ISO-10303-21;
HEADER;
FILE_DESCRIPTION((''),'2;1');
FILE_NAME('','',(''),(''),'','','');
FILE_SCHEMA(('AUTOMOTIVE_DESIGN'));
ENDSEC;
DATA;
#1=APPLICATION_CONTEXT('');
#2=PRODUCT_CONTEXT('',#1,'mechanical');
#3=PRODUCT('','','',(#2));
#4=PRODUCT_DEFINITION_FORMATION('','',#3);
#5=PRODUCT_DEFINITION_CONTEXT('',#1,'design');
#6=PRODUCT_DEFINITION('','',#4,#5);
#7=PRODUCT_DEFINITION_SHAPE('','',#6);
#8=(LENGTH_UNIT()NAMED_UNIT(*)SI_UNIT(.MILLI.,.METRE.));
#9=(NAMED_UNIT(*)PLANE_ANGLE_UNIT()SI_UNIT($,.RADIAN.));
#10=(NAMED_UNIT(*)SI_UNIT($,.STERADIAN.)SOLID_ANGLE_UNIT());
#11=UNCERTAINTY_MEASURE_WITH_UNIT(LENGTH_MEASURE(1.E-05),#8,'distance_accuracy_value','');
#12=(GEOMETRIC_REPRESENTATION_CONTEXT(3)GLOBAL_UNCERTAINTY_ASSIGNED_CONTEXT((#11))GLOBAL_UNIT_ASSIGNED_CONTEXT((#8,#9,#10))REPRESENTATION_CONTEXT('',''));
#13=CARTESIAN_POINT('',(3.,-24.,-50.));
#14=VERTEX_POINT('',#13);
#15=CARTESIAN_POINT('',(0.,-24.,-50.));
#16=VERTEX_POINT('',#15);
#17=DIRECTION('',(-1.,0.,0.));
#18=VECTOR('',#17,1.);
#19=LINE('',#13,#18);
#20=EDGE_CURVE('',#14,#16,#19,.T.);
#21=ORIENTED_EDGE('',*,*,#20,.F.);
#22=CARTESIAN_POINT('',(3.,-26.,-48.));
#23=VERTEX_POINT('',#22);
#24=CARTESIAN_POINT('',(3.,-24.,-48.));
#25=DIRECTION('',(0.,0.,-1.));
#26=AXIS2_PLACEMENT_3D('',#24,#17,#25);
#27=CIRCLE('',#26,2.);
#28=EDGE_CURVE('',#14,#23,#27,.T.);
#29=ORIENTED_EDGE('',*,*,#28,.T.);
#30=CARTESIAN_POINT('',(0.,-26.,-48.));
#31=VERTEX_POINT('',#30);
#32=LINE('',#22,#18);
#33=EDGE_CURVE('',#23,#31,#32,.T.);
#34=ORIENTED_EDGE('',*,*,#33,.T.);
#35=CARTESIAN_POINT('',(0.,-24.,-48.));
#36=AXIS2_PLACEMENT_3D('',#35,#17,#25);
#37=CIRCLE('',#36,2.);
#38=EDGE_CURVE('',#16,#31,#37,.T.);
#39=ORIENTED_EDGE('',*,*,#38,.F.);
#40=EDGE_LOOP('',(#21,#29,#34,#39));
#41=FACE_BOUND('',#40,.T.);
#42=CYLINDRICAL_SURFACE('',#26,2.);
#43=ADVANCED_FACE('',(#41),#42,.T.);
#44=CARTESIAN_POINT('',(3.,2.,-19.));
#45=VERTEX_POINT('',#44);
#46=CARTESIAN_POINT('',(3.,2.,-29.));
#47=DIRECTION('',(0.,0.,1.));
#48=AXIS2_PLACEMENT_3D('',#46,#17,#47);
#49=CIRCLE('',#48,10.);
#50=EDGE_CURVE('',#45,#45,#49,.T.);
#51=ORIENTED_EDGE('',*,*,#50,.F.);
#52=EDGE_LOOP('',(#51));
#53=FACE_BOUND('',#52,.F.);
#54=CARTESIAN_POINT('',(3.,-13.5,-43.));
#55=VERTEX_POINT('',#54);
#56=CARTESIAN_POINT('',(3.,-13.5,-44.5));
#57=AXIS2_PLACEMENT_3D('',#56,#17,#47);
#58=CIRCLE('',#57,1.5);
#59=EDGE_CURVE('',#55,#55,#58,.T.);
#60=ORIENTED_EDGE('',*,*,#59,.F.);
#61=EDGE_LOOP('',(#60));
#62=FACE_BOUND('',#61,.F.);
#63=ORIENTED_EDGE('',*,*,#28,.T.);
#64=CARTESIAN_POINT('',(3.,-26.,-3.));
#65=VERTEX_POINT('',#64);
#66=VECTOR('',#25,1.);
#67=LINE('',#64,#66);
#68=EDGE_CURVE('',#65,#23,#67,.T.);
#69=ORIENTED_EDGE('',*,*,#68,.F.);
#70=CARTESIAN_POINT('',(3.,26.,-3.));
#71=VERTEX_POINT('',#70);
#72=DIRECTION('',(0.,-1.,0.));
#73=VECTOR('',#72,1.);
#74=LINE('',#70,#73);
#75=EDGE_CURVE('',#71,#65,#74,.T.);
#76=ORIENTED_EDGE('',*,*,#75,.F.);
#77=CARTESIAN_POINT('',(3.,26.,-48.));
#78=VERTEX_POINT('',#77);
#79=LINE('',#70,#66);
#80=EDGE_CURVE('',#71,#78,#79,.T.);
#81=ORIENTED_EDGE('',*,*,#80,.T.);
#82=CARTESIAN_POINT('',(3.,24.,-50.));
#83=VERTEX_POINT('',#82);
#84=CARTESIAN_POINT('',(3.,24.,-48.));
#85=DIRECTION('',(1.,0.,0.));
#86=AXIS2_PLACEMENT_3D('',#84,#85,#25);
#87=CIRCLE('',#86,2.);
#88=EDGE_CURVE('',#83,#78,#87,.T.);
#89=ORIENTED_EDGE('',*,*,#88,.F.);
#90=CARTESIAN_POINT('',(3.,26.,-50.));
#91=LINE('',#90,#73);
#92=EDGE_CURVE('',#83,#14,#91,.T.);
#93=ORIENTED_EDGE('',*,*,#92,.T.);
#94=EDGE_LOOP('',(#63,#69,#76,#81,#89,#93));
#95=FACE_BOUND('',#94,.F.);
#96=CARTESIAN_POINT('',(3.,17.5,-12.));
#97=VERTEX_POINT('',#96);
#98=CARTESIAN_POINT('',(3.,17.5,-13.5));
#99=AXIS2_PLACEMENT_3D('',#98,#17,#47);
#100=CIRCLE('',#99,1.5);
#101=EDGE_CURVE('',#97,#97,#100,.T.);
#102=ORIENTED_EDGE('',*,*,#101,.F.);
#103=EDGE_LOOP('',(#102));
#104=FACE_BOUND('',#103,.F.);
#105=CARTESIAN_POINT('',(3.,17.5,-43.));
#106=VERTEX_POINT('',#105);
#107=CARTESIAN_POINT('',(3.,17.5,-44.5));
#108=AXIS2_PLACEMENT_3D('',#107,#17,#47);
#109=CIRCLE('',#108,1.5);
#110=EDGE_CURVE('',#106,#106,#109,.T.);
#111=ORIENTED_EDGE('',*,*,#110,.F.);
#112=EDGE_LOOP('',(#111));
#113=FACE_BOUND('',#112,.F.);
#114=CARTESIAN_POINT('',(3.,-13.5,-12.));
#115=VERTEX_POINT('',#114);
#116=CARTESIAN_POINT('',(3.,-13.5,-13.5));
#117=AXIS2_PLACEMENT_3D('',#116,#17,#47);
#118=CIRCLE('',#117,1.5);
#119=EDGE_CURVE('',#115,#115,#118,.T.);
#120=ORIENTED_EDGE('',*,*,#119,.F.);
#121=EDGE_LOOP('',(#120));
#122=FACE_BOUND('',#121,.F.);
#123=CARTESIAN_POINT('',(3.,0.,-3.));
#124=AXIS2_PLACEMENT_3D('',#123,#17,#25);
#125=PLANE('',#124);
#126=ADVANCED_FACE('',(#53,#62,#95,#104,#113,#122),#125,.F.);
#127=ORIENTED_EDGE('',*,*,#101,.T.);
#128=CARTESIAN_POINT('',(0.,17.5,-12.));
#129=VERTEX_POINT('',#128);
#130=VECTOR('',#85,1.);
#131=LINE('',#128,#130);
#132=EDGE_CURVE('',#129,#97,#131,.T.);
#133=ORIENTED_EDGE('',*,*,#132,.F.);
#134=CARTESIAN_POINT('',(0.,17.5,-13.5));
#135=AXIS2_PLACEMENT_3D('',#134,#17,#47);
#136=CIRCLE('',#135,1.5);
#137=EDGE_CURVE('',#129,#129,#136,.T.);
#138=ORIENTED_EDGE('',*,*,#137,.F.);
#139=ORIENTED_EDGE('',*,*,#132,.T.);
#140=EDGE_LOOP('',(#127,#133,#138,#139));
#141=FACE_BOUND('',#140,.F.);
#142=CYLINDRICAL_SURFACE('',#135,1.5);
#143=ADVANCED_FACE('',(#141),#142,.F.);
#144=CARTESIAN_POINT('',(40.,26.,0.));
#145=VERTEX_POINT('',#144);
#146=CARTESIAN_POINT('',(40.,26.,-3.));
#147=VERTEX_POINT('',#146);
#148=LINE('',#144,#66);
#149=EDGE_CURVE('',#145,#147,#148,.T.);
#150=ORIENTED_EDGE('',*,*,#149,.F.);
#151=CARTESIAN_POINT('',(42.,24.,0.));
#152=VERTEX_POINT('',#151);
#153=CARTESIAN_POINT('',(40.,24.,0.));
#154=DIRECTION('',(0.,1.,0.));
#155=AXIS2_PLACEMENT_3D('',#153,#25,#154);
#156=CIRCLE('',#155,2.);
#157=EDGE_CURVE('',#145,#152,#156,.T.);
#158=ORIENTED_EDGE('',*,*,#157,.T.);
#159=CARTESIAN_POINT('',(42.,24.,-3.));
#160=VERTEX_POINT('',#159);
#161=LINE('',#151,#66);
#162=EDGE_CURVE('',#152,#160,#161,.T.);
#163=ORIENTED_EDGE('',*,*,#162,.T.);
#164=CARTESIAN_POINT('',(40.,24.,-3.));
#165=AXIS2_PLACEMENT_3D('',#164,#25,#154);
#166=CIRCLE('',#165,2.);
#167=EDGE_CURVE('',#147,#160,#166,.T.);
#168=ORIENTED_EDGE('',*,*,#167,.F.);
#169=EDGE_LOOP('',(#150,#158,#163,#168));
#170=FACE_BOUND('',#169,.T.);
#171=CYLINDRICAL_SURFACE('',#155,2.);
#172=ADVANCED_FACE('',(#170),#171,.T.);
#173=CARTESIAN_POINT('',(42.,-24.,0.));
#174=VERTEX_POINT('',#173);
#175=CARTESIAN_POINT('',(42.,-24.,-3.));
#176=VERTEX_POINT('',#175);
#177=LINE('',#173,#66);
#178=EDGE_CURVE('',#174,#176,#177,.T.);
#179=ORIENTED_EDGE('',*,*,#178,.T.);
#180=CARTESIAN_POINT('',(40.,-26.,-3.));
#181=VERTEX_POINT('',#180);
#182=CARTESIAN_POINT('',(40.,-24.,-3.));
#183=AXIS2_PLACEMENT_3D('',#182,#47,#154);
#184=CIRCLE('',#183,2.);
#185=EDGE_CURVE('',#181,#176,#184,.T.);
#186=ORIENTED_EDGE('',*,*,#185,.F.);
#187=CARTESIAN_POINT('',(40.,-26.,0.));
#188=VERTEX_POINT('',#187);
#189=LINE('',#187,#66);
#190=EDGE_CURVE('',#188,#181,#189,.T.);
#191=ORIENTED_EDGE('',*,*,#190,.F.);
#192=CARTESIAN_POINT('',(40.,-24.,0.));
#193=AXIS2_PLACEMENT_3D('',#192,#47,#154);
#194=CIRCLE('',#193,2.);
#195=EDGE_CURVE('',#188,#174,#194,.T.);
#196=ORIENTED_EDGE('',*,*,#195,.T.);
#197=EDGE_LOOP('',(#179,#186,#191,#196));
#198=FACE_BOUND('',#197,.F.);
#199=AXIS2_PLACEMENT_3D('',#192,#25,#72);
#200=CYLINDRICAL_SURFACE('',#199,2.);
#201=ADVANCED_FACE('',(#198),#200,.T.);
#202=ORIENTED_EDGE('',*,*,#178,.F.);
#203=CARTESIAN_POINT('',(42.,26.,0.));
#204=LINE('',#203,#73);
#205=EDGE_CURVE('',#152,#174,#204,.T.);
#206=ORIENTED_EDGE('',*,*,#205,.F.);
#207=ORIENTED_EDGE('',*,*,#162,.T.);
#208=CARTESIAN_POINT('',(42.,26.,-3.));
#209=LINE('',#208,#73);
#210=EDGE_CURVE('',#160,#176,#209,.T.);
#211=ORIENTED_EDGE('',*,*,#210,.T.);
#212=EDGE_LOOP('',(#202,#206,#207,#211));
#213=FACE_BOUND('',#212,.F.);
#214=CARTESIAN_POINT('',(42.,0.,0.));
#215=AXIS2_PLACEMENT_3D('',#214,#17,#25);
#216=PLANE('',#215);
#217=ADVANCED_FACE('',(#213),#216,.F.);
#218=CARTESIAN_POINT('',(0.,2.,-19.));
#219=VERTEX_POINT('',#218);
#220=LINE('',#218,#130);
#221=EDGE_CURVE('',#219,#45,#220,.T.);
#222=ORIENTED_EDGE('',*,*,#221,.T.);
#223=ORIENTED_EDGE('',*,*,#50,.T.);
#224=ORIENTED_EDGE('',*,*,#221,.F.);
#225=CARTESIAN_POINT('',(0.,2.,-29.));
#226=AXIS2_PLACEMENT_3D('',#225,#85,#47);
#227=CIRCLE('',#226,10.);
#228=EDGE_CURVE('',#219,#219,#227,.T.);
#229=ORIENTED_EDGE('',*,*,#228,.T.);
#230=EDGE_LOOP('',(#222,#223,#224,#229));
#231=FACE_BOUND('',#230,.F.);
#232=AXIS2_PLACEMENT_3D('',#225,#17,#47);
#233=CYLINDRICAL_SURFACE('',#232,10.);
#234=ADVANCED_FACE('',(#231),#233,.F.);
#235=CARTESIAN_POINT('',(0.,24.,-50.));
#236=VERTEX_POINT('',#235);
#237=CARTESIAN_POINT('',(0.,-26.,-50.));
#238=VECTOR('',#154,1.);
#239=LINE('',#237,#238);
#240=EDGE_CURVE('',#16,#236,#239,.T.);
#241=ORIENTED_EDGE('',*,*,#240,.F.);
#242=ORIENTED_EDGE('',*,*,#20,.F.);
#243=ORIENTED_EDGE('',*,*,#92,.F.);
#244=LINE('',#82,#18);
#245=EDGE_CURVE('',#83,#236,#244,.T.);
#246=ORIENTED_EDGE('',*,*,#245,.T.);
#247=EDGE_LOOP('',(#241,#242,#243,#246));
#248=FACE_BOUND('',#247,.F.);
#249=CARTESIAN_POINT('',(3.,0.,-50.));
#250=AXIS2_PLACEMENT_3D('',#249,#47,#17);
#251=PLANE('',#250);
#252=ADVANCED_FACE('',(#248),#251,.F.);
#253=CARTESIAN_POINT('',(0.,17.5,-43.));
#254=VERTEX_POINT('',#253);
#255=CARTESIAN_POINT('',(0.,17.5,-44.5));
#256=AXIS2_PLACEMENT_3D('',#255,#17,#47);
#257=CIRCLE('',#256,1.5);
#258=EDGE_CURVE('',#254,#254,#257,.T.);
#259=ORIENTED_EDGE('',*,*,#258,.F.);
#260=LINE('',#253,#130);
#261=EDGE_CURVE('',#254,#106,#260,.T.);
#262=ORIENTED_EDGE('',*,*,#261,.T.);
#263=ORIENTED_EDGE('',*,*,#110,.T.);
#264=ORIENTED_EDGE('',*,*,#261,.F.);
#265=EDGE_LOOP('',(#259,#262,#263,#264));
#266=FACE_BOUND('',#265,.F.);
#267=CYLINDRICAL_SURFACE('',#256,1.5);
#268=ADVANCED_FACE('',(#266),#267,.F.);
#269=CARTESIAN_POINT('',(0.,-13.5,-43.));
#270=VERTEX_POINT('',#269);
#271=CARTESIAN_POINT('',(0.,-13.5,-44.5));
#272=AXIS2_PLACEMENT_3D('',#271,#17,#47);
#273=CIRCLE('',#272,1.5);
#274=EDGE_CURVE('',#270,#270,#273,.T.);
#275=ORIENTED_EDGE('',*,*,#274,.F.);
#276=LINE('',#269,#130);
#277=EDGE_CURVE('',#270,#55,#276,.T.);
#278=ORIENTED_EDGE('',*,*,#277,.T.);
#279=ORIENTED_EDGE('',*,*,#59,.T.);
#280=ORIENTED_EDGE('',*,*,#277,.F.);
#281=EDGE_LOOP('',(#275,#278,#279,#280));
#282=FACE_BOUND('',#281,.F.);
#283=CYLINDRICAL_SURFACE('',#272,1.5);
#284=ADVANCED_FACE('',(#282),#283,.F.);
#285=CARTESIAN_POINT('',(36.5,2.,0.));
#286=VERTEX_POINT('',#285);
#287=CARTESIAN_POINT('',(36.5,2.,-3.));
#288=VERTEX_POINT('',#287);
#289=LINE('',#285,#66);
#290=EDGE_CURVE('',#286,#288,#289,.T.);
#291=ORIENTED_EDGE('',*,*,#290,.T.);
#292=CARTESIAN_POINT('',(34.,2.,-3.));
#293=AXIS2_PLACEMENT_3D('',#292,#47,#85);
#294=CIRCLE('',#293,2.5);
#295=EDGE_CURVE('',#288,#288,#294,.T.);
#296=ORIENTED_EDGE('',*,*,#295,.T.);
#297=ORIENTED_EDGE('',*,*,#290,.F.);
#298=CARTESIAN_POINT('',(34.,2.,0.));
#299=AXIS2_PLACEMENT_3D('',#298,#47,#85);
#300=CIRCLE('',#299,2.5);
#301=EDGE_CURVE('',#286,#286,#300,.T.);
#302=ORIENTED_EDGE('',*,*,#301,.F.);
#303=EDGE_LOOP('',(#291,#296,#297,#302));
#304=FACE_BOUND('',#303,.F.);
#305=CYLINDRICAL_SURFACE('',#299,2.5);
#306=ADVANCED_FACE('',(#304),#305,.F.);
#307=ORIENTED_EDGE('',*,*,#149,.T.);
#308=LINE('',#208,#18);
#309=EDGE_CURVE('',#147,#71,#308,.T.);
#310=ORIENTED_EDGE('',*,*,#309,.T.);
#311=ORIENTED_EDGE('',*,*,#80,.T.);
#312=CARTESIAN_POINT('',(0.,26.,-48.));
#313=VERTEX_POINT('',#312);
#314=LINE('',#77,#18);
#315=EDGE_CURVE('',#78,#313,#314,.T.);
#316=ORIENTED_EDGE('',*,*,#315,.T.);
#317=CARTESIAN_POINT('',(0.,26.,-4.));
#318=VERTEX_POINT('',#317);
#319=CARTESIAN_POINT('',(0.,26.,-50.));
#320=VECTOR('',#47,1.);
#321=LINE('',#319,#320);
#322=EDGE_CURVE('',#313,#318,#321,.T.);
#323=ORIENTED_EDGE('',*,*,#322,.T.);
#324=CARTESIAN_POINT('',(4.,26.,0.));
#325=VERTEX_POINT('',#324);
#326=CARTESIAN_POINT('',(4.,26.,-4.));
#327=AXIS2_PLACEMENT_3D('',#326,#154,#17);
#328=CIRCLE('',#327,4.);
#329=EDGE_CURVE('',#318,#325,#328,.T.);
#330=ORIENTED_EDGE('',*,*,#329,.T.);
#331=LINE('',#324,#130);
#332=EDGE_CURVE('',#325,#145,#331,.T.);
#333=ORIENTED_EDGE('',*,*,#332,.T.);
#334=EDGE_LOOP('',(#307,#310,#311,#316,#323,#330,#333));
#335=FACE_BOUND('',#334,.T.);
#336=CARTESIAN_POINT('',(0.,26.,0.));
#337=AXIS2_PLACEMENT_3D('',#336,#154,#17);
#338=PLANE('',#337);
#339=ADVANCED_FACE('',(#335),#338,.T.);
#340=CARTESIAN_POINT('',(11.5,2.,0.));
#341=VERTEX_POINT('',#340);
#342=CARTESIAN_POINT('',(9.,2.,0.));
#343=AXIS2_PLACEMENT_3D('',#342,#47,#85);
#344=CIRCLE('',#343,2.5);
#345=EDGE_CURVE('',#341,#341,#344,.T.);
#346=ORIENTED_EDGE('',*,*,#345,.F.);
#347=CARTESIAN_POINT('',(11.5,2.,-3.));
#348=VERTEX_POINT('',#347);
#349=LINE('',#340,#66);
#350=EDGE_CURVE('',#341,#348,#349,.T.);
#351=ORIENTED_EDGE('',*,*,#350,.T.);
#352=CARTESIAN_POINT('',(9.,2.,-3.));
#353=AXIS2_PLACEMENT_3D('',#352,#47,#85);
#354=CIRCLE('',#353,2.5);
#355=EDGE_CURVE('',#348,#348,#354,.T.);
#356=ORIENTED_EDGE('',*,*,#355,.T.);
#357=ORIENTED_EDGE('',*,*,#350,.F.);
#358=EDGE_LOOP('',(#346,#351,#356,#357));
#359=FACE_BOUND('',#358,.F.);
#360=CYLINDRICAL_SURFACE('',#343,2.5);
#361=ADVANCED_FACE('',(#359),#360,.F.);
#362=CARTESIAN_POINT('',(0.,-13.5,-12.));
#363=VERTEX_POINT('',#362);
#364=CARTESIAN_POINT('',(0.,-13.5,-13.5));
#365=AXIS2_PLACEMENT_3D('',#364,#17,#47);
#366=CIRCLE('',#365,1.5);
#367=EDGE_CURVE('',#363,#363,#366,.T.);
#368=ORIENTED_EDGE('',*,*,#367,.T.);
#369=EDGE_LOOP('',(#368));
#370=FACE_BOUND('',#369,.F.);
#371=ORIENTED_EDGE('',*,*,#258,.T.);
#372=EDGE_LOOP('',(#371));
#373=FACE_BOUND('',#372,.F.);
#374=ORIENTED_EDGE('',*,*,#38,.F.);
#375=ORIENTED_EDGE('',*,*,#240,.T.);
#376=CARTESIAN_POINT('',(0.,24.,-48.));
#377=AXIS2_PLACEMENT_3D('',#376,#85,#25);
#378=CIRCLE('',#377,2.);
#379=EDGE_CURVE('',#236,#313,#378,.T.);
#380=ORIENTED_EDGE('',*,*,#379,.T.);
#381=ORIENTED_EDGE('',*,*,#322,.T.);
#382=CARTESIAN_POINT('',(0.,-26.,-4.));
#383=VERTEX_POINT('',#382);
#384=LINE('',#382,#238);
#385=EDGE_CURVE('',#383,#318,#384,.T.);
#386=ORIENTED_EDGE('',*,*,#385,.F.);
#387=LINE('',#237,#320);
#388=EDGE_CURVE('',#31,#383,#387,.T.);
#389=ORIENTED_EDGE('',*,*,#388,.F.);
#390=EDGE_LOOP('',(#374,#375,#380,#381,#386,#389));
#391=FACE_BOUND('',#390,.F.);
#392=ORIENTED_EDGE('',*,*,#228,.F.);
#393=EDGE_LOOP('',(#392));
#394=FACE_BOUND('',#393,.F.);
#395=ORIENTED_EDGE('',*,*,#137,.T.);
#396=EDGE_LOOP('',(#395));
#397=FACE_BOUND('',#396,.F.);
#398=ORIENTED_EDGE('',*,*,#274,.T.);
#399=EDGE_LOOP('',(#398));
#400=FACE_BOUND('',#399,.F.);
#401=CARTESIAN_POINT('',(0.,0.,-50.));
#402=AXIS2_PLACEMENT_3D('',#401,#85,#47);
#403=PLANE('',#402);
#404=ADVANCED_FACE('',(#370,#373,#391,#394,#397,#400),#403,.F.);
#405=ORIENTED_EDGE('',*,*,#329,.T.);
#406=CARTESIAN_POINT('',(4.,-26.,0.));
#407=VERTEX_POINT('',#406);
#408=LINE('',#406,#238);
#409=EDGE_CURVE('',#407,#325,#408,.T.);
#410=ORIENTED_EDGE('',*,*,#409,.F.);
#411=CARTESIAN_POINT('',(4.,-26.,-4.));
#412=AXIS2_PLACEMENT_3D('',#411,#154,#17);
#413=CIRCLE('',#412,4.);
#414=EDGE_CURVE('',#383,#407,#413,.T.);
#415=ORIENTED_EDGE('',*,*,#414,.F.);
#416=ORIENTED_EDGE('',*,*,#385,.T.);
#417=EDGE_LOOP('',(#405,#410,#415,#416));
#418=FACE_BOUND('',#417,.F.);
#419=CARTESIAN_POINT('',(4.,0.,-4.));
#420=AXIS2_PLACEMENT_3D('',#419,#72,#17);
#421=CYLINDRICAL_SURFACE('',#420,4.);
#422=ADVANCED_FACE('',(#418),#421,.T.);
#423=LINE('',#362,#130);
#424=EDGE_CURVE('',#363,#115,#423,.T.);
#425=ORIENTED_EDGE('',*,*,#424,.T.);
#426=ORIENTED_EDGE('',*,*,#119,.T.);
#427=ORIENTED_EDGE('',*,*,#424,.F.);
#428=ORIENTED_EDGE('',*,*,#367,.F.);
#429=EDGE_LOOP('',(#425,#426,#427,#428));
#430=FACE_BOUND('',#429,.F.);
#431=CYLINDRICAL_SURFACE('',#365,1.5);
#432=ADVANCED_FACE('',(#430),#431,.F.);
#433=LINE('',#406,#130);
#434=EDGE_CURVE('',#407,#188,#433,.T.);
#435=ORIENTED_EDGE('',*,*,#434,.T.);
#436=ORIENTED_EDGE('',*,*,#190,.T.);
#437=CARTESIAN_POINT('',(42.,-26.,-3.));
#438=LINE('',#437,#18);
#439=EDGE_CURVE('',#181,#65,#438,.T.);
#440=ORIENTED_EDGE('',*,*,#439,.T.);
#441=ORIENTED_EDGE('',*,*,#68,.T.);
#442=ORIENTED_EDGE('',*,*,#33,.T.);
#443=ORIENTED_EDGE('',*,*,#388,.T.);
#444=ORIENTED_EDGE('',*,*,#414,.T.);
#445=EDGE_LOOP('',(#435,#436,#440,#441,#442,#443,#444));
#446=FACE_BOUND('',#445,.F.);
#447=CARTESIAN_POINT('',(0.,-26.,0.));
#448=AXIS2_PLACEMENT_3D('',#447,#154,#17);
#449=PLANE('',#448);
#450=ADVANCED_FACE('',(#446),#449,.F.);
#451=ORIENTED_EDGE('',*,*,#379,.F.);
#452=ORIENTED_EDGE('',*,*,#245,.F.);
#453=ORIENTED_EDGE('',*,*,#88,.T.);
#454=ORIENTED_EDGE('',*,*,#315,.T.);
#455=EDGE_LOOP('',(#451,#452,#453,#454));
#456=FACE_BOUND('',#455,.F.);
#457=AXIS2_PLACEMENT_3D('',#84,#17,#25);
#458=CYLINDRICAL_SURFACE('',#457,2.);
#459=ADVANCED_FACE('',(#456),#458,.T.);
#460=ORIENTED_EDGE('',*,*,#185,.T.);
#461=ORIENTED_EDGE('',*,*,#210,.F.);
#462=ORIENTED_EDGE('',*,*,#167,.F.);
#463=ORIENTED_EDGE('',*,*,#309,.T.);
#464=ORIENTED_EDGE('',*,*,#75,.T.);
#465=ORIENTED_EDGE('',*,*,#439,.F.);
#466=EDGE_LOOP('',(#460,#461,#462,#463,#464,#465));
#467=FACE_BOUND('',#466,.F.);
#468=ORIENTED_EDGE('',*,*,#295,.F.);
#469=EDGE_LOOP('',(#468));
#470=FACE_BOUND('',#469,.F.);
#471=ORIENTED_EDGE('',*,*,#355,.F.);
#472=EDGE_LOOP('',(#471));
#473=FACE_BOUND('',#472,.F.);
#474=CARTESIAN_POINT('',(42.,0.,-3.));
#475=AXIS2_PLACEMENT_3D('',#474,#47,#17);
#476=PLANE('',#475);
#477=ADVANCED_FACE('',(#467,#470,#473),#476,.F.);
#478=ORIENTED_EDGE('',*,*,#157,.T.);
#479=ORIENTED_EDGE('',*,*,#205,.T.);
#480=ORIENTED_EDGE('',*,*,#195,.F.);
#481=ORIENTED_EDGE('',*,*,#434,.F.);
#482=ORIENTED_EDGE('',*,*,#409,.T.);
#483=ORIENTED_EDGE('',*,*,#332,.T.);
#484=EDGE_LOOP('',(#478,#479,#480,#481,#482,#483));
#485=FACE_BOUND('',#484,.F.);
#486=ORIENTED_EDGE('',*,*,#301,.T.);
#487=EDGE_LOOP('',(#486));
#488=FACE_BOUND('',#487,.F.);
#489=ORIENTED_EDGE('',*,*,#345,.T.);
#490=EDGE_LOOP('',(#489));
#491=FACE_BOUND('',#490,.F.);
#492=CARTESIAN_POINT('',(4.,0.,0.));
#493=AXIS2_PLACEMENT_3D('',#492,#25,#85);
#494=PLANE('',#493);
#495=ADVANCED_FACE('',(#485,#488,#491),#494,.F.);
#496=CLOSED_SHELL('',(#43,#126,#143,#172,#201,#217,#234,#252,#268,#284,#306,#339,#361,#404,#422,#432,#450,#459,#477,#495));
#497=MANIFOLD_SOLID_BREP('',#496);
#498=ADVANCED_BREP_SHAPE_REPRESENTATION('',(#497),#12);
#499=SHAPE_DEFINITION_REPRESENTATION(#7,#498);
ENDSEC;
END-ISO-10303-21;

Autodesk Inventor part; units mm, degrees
ref_plane "YZ Plane" through (0, 0, 0) normal (1, 0, 0) x (0, 1, 0)
ref_plane "XZ Plane" through (0, 0, 0) normal (0, 1, 0) x (-1, 0, 0)
ref_plane "XY Plane" through (0, 0, 0) normal (0, 0, 1) x (1, 0, 0)
sketch "Skizze1" plane through (0, 0, 0) normal (0, 1, 0) x (-1, 0, 0)
  line L0 (0, -50) -> (0, -4)
  line L1 (-4, 0) -> (-42, 0)
  line L2 (-42, 0) -> (-42, -3)
  line L3 (-42, -3) -> (-3, -3)
  line L4 (-3, -3) -> (-3, -50)
  line L5 (-3, -50) -> (0, -50)
  arc A0 (0, -4) -> (-4, 0) centre (-4, -4) ccw
  line L6 (0, -60.1657) -> (0, 10.9941) projected
  line L7 (9.3941, 0) -> (-50.5657, 0) projected
  point P0 (0, 0)
  point P1 (0, 0)
  dimension "d0" = 42
  dimension "d1" = 50
  dimension "d2" = 3
  dimension "d3" = 4
extrude "Extrusion1" add sketch "Skizze1" along normal mid plane 52 contours L5 L4 L3 L2 L1 A0 L0
fillet "Rundung1" radius 2 4 edges at (1.5, 26, -50) (1.5, -26, -50) (42, 26, -1.5) (42, -26, -1.5)
sketch "Skizze2" plane through (4, -26, 0) normal (0, 0, 1) x (1, 0, 0)
  circle A0 centre (5, 28) radius 2.5
  circle A1 centre (30, 28) radius 2.5
  line L0 (38, 2) -> (38, 50) projected
  line L1 (-166, 18) -> (204, 18) projected
  line L2 (-1, 0) -> (36, 0) projected
  line L3 (204, 18) -> (-166, 18) projected
  point P0 (-4, 26)
  point P1 (38, 26)
  dimension "d7" = 5
  dimension "d8" = 8
  dimension "d9" = 25
  dimension "d25" = 10
  dimension "d26" = 10
extrude "Extrusion2" cut sketch "Skizze2" against normal through all
sketch "Skizze3" plane through (0, -26, -4) normal (-1, 0, 0) x (0, 0, 1)
  circle A0 centre (-40.5, 43.5) radius 1.5
  circle A1 centre (-9.5, 43.5) radius 1.5
  circle A2 centre (-9.5, 12.5) radius 1.5
  circle A3 centre (-40.5, 12.5) radius 1.5
  circle A4 centre (-25, 28) radius 10
  line L0 (-46, 50) -> (-46, 2) projected
  line L1 (-25, 41.9808) -> (-25, 15.4808)
  circle A5 centre (-25, 28) radius 2.5 projected
  point P0 (4, 26)
  dimension "d12" = 31
  dimension "d13" = 31
  dimension "d14" = 3
  dimension "d16" = 20
  dimension "d21" = 15.5
  dimension "d22" = 31
extrude "Extrusion3" cut sketch "Skizze3" against normal through all
properties part number "YAufnahmeMotor"
